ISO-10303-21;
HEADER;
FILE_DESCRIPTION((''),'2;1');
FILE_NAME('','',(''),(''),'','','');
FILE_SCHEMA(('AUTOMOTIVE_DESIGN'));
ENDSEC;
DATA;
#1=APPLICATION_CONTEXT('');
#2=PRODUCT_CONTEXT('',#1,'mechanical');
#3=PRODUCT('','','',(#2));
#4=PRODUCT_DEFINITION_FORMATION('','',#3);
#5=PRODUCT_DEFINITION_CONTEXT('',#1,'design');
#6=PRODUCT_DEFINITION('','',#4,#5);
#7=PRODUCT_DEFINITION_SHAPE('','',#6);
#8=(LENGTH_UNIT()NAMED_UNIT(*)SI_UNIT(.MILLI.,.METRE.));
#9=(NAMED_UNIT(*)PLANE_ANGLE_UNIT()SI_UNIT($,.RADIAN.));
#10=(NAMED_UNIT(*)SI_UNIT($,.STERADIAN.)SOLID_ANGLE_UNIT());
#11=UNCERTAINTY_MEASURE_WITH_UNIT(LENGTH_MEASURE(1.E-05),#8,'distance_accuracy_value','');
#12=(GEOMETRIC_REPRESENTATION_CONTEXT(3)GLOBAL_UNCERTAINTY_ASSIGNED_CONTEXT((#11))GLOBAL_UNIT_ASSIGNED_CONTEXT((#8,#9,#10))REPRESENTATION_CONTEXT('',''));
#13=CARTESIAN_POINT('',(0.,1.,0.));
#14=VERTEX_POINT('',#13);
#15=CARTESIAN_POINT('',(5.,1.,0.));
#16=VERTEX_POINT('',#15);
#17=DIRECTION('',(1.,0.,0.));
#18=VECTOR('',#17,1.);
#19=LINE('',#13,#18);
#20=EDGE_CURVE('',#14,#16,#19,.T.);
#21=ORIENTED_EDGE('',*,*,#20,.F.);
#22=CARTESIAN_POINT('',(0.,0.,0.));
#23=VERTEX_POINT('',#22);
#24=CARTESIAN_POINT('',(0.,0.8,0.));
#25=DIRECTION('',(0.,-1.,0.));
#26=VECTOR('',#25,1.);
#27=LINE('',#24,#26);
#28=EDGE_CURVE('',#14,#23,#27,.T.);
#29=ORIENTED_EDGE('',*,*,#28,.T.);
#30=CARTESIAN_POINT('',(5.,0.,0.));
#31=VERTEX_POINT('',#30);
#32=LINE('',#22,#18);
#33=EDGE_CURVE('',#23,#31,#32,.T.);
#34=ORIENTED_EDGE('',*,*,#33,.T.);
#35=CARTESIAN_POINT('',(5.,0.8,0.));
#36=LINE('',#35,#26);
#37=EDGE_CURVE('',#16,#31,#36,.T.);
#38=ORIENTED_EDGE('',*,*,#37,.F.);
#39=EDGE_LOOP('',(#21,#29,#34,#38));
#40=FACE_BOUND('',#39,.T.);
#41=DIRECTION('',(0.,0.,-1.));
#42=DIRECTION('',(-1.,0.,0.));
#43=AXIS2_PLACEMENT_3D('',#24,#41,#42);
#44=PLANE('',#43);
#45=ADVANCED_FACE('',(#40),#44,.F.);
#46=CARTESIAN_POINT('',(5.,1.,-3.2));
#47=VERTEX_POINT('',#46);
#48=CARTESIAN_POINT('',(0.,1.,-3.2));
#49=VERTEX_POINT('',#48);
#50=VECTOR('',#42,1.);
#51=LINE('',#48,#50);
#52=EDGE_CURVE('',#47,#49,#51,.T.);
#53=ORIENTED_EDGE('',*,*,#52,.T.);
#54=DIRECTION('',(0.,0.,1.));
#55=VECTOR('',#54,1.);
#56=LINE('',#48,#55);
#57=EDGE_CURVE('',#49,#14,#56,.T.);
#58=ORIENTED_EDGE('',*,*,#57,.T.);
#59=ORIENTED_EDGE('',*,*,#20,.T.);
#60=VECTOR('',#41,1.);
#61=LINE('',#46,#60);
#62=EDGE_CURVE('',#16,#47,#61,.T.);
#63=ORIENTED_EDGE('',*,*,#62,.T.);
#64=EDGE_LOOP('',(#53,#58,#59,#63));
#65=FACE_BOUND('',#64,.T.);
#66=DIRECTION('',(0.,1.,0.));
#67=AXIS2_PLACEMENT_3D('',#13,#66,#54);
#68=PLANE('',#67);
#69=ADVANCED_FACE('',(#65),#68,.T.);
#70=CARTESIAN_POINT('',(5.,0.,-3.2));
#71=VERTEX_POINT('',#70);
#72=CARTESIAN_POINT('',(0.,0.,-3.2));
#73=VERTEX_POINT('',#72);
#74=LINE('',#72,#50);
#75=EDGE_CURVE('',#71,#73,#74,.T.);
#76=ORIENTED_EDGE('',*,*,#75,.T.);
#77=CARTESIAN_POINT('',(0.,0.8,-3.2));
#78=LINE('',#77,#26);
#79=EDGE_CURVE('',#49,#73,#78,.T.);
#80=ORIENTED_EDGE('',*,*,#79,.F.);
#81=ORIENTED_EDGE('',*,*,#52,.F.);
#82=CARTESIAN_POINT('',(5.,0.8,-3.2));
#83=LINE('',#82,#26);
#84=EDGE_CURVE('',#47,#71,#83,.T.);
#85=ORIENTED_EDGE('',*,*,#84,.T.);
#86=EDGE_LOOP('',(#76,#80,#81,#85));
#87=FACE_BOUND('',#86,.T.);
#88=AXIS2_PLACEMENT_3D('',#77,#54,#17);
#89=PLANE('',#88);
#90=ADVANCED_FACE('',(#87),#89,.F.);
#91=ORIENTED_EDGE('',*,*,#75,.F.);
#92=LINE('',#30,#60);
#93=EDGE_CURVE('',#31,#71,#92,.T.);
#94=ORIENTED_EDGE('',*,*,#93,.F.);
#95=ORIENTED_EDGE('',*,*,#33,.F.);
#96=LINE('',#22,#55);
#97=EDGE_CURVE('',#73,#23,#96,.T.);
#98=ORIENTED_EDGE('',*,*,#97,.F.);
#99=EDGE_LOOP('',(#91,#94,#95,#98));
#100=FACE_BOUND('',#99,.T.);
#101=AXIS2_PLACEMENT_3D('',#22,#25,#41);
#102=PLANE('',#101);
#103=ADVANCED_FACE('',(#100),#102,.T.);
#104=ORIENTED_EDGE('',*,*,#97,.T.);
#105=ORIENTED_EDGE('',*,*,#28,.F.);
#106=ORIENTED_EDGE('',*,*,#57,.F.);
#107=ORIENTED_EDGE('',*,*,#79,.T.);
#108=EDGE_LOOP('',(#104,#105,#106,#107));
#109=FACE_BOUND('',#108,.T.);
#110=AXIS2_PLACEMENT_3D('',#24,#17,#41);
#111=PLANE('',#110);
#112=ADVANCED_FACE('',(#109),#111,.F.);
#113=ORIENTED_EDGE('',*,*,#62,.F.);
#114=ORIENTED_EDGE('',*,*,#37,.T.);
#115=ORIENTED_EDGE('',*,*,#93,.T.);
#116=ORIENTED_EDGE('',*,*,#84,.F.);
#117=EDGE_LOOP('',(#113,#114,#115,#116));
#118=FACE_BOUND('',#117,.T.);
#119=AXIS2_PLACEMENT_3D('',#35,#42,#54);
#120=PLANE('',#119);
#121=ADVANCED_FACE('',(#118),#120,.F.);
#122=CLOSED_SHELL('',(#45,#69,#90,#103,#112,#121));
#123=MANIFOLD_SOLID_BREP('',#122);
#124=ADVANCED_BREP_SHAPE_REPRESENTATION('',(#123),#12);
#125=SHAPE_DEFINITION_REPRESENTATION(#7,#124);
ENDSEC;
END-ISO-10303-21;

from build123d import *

# Parameters (mm, degrees)
SKETCH1_W           = 5
SKETCH1_H           = 3.2
BOSS_EXTRUDE1_DEPTH = 0.8
SKETCH2_W           = 5
SKETCH2_H           = 3.2
BOSS_EXTRUDE2_DEPTH = 0.2


with BuildPart() as part:
    # Sketch1 → Boss-Extrude1 (new body)
    with BuildSketch(Plane(origin=(0, 0, 0), x_dir=(1, 0, 0), z_dir=(0, 1, 0))):
        with Locations((2.5, 1.6)):
            Rectangle(SKETCH1_W, SKETCH1_H)
    extrude(amount=BOSS_EXTRUDE1_DEPTH)

    # Sketch2 → Boss-Extrude2 (add)
    with BuildSketch(Plane(origin=(0, 0.8, 0), x_dir=(1, 0, 0), z_dir=(0, 1, 0))):
        with Locations((2.5, 1.6)):
            Rectangle(SKETCH2_W, SKETCH2_H)
    extrude(amount=BOSS_EXTRUDE2_DEPTH)


solid = part.part
